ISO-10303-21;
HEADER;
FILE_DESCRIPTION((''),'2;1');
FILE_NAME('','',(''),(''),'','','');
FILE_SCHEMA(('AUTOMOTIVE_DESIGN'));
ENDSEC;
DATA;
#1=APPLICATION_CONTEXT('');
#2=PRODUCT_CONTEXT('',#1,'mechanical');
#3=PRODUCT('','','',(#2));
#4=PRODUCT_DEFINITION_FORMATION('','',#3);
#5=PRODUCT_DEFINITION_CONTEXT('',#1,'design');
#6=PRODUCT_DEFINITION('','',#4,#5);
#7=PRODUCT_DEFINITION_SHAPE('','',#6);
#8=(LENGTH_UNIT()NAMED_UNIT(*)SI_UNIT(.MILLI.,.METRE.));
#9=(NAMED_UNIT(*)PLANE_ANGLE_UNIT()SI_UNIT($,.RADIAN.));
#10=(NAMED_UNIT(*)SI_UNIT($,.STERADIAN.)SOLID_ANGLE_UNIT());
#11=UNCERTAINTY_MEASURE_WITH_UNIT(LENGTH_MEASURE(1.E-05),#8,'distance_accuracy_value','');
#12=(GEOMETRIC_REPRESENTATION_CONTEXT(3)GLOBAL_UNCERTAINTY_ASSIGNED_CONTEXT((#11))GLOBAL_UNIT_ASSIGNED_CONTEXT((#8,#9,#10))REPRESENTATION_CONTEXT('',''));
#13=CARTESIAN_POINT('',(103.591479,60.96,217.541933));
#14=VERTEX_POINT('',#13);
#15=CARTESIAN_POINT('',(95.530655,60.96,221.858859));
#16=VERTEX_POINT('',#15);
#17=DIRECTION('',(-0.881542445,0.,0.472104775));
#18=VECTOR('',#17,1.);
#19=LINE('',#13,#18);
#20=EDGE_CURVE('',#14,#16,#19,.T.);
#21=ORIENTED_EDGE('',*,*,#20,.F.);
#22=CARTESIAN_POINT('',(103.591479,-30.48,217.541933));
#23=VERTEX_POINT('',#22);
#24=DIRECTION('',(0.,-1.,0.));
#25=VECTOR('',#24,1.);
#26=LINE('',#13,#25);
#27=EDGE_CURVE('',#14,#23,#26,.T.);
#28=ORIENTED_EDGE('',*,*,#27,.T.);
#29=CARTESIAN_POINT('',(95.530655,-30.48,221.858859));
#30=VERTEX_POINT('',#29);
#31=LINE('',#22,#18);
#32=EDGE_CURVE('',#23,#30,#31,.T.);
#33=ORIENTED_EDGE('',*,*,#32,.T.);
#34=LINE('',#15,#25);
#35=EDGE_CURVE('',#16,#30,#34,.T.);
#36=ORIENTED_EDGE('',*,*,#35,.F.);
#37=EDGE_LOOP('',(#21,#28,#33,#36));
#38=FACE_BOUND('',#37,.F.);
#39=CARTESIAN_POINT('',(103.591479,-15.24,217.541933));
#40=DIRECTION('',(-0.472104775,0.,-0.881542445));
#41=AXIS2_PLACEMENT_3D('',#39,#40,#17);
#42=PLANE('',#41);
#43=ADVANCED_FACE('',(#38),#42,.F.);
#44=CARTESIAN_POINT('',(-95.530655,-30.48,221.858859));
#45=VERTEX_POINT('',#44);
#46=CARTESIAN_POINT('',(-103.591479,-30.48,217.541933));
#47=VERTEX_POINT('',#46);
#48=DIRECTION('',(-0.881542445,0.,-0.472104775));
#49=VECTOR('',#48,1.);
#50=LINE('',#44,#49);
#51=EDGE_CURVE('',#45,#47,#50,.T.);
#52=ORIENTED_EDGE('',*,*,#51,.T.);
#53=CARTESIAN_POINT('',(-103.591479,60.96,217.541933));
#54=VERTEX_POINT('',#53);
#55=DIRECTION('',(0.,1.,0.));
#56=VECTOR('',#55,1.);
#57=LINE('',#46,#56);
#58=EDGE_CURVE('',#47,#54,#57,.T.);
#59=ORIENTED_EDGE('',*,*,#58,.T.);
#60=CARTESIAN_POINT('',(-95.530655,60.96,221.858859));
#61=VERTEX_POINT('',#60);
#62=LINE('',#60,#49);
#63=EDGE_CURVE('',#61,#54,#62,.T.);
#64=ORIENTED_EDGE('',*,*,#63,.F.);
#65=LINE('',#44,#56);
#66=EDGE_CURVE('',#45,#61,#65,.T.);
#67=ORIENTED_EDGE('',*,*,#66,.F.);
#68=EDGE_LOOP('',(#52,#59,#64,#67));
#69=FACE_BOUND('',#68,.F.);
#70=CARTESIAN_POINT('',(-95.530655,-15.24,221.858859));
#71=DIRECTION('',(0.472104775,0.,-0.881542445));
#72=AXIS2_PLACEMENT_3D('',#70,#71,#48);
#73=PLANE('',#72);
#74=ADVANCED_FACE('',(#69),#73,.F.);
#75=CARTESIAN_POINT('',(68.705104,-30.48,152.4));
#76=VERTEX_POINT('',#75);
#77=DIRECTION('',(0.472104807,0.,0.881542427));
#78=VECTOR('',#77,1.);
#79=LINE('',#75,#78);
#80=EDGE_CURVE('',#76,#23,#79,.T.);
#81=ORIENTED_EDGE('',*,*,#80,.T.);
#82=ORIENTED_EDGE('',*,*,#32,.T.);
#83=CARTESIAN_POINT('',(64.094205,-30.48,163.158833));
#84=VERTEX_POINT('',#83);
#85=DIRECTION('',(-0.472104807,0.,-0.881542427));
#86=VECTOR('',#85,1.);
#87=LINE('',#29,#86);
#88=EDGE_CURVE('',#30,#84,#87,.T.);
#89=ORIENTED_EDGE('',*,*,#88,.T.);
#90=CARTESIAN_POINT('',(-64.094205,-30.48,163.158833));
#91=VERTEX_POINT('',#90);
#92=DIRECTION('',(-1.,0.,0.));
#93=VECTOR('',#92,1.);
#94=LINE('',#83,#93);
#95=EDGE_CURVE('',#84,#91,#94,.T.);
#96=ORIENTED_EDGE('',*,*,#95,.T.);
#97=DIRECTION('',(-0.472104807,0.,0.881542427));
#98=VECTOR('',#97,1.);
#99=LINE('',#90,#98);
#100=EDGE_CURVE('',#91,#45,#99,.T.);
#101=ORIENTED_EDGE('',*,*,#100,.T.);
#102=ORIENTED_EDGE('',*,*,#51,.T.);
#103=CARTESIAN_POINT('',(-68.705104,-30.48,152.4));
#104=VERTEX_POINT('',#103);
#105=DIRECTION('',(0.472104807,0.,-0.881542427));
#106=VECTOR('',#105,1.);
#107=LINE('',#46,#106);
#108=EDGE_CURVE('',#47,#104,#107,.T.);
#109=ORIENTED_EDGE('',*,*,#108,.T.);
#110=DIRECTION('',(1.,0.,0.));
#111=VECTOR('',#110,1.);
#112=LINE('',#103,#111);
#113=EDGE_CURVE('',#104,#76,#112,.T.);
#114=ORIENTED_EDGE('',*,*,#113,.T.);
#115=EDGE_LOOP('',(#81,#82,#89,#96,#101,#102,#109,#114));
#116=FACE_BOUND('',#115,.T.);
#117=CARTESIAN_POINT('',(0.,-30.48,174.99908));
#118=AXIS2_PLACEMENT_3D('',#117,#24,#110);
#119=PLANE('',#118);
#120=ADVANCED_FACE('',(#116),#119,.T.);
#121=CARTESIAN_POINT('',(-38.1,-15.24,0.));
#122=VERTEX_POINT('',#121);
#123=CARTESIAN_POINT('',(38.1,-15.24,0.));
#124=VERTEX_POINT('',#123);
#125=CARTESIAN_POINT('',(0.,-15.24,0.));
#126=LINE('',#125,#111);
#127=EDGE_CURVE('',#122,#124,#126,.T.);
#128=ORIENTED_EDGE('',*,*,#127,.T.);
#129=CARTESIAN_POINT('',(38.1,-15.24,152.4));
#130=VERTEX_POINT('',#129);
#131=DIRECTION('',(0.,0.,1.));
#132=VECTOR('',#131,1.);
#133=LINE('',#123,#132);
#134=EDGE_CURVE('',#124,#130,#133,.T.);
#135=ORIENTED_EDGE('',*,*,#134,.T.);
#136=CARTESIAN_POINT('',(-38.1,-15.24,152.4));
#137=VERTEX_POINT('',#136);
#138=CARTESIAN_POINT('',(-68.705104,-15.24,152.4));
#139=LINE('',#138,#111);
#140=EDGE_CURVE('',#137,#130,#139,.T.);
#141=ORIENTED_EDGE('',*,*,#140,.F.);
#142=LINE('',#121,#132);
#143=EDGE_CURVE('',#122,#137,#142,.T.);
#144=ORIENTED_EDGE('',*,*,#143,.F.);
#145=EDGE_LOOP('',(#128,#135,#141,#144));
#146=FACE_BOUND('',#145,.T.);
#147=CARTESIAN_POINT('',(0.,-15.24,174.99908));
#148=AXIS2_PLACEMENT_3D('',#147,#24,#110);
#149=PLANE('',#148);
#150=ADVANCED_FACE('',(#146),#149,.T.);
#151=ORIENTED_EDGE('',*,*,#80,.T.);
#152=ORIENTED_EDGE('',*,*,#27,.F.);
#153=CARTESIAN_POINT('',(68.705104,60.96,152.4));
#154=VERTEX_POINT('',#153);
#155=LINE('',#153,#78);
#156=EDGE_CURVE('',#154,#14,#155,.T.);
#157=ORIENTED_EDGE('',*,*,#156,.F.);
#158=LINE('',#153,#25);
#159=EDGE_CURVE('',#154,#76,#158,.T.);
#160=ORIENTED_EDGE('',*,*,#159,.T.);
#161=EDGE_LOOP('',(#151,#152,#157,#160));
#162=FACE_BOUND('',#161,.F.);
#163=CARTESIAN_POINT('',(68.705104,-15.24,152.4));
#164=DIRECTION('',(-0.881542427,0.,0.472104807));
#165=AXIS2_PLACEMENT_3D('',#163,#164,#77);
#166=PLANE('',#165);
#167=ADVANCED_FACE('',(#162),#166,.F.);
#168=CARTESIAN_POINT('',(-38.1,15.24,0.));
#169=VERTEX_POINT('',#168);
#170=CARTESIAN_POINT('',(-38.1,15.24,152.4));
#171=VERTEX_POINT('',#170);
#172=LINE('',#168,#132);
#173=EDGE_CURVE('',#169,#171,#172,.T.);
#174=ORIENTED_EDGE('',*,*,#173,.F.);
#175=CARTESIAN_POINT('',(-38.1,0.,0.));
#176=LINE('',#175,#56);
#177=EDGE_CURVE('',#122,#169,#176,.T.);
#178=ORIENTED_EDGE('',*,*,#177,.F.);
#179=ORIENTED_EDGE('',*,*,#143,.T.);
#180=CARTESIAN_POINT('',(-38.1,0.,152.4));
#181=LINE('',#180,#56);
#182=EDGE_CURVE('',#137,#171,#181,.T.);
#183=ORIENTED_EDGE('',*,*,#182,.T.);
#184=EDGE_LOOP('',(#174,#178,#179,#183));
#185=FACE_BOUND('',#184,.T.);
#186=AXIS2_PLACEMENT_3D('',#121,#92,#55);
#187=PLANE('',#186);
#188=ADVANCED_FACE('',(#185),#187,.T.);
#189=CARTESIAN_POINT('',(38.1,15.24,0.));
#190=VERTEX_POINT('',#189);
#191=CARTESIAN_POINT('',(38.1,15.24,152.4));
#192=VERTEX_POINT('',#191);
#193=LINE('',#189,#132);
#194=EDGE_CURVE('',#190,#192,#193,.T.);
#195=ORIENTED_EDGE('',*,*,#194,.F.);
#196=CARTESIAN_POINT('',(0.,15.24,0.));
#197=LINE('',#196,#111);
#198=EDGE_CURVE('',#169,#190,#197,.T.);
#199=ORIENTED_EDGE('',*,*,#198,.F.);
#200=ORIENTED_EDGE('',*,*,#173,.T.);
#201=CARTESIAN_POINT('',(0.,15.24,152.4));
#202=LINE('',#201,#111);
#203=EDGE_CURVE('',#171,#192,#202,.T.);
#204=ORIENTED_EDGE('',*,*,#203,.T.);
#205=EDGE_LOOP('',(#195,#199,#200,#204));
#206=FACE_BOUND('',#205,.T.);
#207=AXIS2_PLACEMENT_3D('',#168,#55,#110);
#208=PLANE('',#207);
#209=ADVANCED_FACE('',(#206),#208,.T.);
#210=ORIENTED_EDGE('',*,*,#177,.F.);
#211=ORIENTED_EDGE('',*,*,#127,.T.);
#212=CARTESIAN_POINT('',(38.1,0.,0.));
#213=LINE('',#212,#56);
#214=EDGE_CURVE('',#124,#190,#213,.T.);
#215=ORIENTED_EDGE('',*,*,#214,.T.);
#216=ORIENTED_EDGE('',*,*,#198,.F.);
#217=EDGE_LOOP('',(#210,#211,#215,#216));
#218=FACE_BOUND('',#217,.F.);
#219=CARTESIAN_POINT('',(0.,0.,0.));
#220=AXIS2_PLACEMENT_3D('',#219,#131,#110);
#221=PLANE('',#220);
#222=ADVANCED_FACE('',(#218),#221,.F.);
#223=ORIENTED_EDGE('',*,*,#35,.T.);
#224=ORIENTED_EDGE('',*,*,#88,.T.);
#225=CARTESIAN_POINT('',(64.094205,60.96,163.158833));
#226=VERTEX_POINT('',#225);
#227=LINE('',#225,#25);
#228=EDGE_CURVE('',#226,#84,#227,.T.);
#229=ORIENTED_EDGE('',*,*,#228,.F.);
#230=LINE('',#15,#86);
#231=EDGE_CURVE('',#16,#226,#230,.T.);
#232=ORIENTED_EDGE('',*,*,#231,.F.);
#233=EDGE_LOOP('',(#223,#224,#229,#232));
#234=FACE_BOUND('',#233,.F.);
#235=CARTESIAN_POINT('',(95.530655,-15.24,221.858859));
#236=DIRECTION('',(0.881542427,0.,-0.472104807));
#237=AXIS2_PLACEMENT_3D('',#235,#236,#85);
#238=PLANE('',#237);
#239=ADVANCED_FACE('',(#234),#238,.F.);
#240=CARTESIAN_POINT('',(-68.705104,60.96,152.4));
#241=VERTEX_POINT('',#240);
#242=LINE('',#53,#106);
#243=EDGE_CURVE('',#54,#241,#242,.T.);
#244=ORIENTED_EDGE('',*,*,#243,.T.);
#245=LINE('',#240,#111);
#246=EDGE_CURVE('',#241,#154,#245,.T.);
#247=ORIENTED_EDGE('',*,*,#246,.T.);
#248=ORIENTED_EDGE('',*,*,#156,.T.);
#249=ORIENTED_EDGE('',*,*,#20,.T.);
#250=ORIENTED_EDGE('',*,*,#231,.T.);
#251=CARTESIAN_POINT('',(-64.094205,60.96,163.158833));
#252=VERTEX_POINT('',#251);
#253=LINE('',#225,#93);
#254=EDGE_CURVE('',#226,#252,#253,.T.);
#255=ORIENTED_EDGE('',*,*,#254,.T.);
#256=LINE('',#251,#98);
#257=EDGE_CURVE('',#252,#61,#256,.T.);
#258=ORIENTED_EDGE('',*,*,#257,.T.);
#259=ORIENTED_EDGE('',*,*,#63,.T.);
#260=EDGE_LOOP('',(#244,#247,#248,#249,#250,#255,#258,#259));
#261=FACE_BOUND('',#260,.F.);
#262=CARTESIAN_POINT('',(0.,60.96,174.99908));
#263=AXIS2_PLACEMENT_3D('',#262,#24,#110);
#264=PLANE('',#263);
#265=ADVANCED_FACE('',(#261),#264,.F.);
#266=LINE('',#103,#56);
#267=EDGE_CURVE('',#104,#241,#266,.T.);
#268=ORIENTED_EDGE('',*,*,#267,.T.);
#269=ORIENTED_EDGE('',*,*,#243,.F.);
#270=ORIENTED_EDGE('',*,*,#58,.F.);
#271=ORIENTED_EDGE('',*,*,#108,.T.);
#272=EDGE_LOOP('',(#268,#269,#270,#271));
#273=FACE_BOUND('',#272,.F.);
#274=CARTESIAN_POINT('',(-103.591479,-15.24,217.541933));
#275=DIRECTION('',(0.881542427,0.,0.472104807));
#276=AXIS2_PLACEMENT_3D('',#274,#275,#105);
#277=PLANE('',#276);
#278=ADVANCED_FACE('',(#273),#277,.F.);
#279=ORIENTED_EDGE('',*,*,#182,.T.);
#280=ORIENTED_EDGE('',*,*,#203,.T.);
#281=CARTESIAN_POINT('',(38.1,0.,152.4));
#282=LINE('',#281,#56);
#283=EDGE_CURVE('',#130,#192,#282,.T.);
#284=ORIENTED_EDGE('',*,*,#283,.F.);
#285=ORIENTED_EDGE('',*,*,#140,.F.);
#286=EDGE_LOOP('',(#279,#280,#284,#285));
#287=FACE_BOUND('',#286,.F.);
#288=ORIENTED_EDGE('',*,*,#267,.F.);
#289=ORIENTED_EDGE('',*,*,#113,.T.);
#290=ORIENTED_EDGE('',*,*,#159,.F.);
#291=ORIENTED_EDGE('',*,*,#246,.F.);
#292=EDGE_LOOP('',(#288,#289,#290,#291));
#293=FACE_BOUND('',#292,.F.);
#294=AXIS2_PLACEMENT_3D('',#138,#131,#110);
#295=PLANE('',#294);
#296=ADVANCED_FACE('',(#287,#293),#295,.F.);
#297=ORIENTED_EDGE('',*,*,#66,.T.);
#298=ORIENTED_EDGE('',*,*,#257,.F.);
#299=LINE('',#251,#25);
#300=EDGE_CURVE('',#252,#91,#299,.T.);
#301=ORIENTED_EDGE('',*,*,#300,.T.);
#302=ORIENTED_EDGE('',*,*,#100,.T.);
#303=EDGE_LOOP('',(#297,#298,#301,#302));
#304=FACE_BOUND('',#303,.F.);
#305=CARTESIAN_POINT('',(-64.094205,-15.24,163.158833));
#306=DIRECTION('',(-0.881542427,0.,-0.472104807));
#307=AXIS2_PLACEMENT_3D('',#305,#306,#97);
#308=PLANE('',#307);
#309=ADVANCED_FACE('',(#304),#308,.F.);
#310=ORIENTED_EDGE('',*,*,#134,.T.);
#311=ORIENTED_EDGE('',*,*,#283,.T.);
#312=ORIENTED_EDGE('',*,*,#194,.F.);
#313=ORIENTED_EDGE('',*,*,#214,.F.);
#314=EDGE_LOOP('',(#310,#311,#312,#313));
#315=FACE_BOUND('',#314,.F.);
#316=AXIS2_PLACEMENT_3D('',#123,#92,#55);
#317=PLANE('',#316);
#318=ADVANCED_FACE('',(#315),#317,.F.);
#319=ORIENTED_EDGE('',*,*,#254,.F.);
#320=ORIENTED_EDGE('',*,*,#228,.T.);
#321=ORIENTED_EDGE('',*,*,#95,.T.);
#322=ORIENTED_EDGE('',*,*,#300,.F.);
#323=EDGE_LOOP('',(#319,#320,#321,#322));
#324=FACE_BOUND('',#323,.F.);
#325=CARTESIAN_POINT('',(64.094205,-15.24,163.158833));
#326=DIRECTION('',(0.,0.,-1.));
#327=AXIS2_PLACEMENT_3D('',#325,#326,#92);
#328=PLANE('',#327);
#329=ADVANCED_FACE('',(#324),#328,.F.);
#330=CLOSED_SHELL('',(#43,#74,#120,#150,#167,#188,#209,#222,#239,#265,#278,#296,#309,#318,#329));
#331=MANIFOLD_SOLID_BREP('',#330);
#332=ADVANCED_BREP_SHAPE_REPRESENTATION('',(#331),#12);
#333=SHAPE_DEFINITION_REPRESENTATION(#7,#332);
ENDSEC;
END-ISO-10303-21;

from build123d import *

# Parameters (mm, degrees)
F0_W     = 76.2
F0_H     = 30.48
F1_DEPTH = 152.4
F3_DEPTH = 76.2
F4_DEPTH = 15.24


with BuildPart() as f1:
    # F0 (on Top) → F1 (new body)
    with BuildSketch(Plane.XY):
        Rectangle(F0_W, F0_H)
    extrude(amount=F1_DEPTH)

    # F2 (on face) → F3 (join)
    with BuildSketch(Plane.XZ.offset(15.24)):
        Polygon((-68.705104, 152.4), (-38.1, 152.4), (38.1, 152.4), (68.705104, 152.4), (103.591479, 217.541933), (95.530655, 221.858859), (64.094205, 163.158833), (0, 163.158833), (-64.094205, 163.158833), (-95.530655, 221.858859), (-103.591479, 217.541933), align=None)
    extrude(amount=-F3_DEPTH)

    # F2 (on face) → F4 (join)
    with BuildSketch(Plane.XZ.offset(15.24)):
        Polygon((-68.705104, 152.4), (-38.1, 152.4), (38.1, 152.4), (68.705104, 152.4), (103.591479, 217.541933), (95.530655, 221.858859), (64.094205, 163.158833), (0, 163.158833), (-64.094205, 163.158833), (-95.530655, 221.858859), (-103.591479, 217.541933), align=None)
    extrude(amount=F4_DEPTH)


solid = f1.part
